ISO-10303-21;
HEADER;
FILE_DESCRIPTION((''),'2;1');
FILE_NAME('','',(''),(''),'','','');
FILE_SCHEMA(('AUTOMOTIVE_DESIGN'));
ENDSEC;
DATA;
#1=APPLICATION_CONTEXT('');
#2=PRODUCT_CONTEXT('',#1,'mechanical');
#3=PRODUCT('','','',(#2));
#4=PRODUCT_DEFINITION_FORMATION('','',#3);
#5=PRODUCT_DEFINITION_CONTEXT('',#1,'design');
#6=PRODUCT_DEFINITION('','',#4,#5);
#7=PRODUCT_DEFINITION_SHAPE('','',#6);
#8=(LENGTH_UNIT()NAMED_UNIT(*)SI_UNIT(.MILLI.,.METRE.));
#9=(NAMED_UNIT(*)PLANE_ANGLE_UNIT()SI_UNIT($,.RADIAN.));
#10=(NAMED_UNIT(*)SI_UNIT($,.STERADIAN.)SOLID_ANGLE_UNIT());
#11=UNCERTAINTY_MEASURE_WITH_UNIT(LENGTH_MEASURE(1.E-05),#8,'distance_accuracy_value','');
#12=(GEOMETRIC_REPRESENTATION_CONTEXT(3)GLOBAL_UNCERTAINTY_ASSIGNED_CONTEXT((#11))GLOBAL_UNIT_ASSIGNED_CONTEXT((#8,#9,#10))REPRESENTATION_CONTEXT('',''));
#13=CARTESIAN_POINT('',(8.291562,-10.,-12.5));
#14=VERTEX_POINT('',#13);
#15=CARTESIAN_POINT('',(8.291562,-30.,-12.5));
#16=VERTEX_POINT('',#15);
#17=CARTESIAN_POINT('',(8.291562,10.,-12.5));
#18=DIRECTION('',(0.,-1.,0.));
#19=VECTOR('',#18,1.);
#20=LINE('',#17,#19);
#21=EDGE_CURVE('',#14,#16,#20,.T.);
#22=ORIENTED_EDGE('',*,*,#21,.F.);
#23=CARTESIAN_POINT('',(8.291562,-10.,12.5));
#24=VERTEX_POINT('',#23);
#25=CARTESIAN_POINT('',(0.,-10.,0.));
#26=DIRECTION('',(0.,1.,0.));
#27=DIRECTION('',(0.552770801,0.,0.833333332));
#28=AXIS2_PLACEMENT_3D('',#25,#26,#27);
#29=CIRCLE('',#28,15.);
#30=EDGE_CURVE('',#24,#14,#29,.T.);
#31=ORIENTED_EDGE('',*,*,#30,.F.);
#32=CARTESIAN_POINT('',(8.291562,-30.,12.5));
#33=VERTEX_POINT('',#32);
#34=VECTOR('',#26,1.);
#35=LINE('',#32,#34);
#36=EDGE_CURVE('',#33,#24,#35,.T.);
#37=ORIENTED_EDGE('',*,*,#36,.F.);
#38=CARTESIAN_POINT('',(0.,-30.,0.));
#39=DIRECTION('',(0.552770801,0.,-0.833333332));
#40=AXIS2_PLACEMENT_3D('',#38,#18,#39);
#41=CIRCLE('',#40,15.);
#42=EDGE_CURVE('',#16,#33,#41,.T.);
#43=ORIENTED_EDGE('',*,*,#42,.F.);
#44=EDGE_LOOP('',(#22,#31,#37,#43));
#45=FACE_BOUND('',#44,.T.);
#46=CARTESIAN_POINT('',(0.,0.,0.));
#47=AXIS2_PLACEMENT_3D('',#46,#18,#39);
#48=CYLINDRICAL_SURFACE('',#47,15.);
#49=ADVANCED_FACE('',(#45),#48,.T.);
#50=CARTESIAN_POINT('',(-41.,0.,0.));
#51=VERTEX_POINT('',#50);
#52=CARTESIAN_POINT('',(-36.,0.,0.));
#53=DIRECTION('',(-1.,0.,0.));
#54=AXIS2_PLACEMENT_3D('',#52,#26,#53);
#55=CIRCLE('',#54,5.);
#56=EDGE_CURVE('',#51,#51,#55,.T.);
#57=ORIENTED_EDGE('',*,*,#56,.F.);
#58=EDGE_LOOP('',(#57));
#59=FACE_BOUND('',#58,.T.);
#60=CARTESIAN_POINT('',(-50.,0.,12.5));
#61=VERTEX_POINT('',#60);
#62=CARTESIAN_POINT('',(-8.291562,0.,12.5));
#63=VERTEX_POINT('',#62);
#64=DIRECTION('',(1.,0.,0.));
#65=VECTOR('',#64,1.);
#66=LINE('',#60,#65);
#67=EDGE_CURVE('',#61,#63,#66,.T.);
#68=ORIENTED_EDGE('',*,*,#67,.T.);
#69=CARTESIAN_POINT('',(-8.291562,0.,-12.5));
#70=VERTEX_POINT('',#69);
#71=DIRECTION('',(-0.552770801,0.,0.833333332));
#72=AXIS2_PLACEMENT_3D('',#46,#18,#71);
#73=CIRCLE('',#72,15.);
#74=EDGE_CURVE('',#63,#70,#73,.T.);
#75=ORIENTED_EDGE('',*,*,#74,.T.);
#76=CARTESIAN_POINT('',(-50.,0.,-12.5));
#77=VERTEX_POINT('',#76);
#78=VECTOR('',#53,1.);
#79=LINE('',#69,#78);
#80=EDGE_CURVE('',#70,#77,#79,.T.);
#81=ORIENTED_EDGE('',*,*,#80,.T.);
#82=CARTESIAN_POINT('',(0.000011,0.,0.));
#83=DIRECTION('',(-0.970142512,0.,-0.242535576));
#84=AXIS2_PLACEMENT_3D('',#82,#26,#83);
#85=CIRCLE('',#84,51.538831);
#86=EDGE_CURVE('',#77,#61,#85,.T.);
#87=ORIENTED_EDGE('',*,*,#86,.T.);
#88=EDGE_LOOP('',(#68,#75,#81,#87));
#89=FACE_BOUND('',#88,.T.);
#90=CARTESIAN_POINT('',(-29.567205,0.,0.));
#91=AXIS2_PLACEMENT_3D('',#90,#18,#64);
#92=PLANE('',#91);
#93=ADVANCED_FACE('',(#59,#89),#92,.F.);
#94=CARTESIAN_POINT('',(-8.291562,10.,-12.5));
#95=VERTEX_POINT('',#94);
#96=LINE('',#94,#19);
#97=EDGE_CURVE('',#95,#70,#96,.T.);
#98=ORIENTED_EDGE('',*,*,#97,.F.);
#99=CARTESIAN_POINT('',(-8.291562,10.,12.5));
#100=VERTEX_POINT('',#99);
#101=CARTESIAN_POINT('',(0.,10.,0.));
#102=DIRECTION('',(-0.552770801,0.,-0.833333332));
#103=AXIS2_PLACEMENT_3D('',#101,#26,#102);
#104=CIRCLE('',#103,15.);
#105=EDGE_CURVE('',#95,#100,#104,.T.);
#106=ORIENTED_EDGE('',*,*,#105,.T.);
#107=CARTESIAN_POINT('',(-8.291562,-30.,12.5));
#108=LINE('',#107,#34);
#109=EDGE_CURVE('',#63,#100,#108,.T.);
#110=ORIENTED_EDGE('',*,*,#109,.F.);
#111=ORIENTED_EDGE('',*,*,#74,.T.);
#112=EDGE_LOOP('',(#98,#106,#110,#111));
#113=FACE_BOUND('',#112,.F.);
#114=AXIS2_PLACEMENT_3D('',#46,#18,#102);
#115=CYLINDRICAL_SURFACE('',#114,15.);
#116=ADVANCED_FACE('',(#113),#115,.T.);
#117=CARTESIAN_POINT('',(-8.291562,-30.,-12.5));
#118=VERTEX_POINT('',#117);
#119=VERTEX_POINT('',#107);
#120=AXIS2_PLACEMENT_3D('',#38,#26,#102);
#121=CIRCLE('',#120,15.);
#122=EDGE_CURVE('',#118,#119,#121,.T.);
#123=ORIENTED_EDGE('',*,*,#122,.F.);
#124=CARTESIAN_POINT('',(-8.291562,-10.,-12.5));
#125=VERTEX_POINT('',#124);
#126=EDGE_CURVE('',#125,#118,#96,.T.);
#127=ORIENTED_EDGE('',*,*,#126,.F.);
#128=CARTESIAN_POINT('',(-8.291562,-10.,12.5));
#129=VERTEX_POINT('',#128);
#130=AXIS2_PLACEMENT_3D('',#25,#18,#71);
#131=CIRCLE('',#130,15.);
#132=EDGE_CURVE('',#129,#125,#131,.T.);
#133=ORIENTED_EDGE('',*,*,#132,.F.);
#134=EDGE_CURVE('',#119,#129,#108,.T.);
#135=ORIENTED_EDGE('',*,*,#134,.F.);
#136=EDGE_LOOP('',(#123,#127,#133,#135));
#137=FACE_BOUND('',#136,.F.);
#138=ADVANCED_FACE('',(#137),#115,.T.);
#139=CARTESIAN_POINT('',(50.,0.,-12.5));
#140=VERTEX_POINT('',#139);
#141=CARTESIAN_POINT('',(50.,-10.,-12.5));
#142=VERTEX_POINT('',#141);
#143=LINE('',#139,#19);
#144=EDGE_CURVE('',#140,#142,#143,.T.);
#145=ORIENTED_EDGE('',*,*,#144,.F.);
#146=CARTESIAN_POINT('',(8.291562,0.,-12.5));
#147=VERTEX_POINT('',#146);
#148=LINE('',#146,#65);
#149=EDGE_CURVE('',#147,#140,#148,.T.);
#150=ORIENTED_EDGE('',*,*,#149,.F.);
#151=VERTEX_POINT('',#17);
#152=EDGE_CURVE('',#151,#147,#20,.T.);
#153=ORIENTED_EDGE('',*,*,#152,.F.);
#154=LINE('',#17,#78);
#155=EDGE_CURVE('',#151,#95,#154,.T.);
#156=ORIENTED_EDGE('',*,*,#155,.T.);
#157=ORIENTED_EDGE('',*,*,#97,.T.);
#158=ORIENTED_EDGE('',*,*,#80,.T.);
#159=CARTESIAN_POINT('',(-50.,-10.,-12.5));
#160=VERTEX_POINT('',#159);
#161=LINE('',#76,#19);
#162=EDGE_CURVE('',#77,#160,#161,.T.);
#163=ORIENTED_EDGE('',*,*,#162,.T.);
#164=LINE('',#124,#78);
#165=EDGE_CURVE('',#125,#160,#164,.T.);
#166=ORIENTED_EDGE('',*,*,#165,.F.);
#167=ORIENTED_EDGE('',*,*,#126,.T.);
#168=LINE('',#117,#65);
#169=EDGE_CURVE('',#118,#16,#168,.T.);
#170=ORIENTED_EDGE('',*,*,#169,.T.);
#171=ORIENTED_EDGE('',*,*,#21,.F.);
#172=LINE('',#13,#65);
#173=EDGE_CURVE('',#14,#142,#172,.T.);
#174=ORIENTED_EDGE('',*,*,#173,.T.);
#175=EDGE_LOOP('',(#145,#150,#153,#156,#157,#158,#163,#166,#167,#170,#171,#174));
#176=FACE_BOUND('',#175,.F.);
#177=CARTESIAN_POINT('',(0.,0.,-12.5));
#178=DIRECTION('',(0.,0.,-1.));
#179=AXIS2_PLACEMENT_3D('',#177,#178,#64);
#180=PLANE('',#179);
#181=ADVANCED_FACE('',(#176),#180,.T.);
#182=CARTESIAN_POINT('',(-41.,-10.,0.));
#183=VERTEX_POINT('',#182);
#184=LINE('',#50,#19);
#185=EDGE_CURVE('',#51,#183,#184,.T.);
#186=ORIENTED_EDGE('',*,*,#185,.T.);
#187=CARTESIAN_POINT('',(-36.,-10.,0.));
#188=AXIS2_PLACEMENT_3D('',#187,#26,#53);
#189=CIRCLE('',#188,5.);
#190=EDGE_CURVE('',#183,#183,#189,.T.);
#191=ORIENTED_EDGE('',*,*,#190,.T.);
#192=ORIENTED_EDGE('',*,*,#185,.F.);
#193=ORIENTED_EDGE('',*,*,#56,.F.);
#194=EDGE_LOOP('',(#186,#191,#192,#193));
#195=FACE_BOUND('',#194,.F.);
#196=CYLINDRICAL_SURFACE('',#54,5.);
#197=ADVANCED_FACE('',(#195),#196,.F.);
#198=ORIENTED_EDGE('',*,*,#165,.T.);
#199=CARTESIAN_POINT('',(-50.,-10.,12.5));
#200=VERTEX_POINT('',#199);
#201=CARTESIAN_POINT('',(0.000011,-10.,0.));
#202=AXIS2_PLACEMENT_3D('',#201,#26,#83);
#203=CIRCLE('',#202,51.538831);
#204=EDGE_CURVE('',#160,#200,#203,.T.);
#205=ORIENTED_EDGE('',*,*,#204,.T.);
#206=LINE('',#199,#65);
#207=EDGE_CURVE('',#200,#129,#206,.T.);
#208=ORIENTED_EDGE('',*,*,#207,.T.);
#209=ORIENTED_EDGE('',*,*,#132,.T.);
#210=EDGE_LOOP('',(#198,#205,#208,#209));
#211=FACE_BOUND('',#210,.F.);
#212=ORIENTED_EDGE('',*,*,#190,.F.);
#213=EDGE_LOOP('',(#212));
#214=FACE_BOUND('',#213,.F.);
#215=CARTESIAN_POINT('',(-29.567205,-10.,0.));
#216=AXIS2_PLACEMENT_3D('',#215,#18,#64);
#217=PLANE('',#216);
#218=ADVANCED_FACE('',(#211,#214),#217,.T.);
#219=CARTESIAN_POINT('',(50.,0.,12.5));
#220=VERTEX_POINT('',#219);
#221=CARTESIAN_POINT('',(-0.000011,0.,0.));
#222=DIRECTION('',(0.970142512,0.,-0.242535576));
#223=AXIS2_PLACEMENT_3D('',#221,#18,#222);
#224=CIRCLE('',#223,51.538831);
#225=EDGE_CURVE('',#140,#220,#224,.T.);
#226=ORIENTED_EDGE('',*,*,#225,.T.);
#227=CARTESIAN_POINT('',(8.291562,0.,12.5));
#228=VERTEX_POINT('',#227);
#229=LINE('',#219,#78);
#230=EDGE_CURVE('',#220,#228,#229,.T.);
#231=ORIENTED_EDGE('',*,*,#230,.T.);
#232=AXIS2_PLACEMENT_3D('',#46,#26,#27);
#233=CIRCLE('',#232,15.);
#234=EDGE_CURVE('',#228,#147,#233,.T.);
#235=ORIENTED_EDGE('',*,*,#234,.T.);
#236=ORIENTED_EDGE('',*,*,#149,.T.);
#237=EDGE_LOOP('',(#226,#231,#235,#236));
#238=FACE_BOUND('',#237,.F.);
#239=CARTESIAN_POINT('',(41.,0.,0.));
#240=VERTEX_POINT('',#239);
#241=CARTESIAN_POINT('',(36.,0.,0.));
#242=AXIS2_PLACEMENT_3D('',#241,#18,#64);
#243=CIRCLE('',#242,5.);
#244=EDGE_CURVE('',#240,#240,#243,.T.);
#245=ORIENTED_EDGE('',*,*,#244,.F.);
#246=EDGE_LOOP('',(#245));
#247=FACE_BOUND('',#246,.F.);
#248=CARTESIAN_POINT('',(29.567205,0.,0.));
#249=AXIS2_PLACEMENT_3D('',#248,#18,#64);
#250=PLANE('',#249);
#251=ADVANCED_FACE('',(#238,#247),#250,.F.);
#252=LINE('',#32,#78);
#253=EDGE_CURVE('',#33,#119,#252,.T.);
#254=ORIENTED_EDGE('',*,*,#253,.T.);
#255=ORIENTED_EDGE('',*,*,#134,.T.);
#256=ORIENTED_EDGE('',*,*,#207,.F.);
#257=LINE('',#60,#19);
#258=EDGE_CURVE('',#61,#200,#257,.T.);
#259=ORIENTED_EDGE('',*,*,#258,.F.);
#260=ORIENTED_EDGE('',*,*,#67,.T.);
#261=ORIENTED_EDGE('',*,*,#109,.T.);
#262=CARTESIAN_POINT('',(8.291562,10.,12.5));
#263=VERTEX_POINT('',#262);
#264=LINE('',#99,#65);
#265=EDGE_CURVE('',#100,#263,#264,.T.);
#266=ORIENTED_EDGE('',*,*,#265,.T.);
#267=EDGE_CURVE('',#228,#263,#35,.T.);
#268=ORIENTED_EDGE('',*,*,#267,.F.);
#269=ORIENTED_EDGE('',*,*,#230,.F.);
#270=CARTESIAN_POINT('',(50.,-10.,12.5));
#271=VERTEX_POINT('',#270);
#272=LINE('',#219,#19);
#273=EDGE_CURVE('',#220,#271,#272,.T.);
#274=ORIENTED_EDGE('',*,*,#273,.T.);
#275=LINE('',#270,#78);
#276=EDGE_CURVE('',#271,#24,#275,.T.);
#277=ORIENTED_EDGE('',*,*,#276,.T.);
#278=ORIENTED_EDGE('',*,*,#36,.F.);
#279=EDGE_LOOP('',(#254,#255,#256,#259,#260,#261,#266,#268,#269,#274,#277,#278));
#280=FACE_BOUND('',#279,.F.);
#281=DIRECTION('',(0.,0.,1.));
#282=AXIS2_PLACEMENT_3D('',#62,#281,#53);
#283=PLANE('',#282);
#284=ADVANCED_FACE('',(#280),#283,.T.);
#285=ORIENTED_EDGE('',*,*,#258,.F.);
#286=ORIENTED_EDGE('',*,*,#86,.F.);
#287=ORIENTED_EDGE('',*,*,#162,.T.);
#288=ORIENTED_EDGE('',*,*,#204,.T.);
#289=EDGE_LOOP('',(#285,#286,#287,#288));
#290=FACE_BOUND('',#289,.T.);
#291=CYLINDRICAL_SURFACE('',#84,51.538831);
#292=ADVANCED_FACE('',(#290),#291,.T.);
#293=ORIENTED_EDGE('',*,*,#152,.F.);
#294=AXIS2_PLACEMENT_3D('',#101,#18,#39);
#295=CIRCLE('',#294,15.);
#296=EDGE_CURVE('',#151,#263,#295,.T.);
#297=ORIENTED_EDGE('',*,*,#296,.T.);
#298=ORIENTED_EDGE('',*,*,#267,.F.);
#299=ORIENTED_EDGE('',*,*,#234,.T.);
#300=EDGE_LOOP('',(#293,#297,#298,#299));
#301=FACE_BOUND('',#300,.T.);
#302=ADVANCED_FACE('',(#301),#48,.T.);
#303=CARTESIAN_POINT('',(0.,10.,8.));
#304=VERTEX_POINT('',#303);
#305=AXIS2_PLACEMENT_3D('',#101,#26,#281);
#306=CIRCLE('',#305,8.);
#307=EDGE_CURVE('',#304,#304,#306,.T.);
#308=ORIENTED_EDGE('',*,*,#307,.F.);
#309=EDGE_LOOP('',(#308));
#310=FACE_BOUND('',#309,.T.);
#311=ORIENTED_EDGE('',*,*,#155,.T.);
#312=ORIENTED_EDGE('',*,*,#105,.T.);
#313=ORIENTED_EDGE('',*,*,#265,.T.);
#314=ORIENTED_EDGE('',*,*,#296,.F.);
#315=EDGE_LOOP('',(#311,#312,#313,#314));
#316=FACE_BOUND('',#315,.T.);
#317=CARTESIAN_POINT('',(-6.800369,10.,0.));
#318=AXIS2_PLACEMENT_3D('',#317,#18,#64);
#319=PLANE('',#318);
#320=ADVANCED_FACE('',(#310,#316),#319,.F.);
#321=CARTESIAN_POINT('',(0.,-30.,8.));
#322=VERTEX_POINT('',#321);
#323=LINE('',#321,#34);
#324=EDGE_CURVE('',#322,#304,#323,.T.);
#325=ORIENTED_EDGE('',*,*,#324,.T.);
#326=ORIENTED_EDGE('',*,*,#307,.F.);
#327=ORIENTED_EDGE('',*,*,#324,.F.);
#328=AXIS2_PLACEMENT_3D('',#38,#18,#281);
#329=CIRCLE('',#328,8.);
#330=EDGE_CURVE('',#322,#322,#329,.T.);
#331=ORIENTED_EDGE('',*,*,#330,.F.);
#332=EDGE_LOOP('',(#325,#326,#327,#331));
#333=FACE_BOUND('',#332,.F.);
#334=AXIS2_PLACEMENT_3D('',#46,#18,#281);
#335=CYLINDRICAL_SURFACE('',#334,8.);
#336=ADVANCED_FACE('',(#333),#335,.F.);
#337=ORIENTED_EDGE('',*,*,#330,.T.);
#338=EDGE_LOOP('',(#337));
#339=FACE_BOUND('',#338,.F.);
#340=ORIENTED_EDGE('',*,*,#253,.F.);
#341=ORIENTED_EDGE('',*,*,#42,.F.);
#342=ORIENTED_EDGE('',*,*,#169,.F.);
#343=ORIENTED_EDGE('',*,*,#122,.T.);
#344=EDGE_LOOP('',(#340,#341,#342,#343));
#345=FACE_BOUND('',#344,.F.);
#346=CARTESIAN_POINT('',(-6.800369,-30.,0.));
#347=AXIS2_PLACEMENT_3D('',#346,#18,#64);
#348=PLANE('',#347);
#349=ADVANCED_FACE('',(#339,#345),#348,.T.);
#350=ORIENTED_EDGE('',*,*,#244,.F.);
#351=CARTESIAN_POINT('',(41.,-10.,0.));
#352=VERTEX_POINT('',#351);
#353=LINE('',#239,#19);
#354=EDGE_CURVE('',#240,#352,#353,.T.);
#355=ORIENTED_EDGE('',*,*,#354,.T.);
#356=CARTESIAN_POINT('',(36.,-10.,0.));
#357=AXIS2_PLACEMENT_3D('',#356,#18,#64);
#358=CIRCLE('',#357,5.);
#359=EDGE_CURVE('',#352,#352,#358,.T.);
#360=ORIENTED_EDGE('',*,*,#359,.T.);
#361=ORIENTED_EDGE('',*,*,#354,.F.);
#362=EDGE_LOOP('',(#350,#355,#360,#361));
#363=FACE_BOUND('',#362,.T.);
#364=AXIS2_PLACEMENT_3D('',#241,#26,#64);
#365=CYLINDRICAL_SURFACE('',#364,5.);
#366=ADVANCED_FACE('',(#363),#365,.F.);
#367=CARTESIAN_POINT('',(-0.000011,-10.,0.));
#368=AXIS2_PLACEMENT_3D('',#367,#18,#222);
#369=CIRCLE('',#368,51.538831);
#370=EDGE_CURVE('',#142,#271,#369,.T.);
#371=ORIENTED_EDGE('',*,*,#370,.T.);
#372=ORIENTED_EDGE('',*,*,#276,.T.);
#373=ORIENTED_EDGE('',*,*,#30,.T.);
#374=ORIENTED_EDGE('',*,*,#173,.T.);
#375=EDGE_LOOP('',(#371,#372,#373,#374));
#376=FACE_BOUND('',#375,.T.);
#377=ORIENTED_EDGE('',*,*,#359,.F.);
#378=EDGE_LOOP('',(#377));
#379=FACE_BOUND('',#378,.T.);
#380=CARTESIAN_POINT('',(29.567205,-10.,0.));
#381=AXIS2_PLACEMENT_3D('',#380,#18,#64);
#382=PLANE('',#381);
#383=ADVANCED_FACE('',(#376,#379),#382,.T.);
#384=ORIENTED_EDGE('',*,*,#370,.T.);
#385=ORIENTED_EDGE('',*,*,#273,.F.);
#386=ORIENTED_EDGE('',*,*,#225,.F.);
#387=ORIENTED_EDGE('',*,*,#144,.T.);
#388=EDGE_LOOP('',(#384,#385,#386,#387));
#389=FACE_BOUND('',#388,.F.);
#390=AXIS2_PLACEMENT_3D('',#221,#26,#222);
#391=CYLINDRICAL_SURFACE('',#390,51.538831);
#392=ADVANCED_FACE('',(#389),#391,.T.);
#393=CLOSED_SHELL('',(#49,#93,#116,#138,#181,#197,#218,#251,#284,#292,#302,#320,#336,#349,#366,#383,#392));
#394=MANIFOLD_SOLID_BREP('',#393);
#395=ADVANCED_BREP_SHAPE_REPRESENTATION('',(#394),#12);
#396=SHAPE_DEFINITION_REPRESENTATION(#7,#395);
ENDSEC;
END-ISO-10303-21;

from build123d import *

# Parameters (mm, degrees)
F1_DEPTH      = 30
F1_DEPTH_BACK = 10
F0_R          = 5
F2_DEPTH      = 10


with BuildPart() as f1:
    # F0 (on Front) → F1 (new body, two sides)
    with BuildSketch(Plane.XZ) as f1_sk:
        with BuildLine():
            ThreePointArc((0, 8), (8, 0), (0, -8))
            Line((0, -8), (0, -12.5))
            Line((0, -12.5), (8.291562, -12.5))
            ThreePointArc((8.291562, -12.5), (15, 0), (8.291562, 12.5))
            Line((8.291562, 12.5), (0, 12.5))
            Line((0, 12.5), (0, 8))
        make_face()
    extrude(amount=F1_DEPTH)
    extrude(f1_sk.sketch, amount=-F1_DEPTH_BACK)

    # F0 (on Front) → F2 (join)
    with BuildSketch(Plane.XZ):
        with BuildLine():
            ThreePointArc((8.291562, 12.5), (15, 0), (8.291562, -12.5))
            Line((8.291562, -12.5), (50, -12.5))
            ThreePointArc((50, -12.5), (51.53882, 0), (50, 12.5))
            Line((50, 12.5), (8.291562, 12.5))
        make_face()
        with Locations((36, 0)):
            Circle(F0_R, mode=Mode.SUBTRACT)
    extrude(amount=F2_DEPTH)

    # F3: F1 across plane


with BuildPart() as f1_1:
    add(f1.part)
    add(f1.part.mirror(Plane.YZ))


solid = f1_1.part
